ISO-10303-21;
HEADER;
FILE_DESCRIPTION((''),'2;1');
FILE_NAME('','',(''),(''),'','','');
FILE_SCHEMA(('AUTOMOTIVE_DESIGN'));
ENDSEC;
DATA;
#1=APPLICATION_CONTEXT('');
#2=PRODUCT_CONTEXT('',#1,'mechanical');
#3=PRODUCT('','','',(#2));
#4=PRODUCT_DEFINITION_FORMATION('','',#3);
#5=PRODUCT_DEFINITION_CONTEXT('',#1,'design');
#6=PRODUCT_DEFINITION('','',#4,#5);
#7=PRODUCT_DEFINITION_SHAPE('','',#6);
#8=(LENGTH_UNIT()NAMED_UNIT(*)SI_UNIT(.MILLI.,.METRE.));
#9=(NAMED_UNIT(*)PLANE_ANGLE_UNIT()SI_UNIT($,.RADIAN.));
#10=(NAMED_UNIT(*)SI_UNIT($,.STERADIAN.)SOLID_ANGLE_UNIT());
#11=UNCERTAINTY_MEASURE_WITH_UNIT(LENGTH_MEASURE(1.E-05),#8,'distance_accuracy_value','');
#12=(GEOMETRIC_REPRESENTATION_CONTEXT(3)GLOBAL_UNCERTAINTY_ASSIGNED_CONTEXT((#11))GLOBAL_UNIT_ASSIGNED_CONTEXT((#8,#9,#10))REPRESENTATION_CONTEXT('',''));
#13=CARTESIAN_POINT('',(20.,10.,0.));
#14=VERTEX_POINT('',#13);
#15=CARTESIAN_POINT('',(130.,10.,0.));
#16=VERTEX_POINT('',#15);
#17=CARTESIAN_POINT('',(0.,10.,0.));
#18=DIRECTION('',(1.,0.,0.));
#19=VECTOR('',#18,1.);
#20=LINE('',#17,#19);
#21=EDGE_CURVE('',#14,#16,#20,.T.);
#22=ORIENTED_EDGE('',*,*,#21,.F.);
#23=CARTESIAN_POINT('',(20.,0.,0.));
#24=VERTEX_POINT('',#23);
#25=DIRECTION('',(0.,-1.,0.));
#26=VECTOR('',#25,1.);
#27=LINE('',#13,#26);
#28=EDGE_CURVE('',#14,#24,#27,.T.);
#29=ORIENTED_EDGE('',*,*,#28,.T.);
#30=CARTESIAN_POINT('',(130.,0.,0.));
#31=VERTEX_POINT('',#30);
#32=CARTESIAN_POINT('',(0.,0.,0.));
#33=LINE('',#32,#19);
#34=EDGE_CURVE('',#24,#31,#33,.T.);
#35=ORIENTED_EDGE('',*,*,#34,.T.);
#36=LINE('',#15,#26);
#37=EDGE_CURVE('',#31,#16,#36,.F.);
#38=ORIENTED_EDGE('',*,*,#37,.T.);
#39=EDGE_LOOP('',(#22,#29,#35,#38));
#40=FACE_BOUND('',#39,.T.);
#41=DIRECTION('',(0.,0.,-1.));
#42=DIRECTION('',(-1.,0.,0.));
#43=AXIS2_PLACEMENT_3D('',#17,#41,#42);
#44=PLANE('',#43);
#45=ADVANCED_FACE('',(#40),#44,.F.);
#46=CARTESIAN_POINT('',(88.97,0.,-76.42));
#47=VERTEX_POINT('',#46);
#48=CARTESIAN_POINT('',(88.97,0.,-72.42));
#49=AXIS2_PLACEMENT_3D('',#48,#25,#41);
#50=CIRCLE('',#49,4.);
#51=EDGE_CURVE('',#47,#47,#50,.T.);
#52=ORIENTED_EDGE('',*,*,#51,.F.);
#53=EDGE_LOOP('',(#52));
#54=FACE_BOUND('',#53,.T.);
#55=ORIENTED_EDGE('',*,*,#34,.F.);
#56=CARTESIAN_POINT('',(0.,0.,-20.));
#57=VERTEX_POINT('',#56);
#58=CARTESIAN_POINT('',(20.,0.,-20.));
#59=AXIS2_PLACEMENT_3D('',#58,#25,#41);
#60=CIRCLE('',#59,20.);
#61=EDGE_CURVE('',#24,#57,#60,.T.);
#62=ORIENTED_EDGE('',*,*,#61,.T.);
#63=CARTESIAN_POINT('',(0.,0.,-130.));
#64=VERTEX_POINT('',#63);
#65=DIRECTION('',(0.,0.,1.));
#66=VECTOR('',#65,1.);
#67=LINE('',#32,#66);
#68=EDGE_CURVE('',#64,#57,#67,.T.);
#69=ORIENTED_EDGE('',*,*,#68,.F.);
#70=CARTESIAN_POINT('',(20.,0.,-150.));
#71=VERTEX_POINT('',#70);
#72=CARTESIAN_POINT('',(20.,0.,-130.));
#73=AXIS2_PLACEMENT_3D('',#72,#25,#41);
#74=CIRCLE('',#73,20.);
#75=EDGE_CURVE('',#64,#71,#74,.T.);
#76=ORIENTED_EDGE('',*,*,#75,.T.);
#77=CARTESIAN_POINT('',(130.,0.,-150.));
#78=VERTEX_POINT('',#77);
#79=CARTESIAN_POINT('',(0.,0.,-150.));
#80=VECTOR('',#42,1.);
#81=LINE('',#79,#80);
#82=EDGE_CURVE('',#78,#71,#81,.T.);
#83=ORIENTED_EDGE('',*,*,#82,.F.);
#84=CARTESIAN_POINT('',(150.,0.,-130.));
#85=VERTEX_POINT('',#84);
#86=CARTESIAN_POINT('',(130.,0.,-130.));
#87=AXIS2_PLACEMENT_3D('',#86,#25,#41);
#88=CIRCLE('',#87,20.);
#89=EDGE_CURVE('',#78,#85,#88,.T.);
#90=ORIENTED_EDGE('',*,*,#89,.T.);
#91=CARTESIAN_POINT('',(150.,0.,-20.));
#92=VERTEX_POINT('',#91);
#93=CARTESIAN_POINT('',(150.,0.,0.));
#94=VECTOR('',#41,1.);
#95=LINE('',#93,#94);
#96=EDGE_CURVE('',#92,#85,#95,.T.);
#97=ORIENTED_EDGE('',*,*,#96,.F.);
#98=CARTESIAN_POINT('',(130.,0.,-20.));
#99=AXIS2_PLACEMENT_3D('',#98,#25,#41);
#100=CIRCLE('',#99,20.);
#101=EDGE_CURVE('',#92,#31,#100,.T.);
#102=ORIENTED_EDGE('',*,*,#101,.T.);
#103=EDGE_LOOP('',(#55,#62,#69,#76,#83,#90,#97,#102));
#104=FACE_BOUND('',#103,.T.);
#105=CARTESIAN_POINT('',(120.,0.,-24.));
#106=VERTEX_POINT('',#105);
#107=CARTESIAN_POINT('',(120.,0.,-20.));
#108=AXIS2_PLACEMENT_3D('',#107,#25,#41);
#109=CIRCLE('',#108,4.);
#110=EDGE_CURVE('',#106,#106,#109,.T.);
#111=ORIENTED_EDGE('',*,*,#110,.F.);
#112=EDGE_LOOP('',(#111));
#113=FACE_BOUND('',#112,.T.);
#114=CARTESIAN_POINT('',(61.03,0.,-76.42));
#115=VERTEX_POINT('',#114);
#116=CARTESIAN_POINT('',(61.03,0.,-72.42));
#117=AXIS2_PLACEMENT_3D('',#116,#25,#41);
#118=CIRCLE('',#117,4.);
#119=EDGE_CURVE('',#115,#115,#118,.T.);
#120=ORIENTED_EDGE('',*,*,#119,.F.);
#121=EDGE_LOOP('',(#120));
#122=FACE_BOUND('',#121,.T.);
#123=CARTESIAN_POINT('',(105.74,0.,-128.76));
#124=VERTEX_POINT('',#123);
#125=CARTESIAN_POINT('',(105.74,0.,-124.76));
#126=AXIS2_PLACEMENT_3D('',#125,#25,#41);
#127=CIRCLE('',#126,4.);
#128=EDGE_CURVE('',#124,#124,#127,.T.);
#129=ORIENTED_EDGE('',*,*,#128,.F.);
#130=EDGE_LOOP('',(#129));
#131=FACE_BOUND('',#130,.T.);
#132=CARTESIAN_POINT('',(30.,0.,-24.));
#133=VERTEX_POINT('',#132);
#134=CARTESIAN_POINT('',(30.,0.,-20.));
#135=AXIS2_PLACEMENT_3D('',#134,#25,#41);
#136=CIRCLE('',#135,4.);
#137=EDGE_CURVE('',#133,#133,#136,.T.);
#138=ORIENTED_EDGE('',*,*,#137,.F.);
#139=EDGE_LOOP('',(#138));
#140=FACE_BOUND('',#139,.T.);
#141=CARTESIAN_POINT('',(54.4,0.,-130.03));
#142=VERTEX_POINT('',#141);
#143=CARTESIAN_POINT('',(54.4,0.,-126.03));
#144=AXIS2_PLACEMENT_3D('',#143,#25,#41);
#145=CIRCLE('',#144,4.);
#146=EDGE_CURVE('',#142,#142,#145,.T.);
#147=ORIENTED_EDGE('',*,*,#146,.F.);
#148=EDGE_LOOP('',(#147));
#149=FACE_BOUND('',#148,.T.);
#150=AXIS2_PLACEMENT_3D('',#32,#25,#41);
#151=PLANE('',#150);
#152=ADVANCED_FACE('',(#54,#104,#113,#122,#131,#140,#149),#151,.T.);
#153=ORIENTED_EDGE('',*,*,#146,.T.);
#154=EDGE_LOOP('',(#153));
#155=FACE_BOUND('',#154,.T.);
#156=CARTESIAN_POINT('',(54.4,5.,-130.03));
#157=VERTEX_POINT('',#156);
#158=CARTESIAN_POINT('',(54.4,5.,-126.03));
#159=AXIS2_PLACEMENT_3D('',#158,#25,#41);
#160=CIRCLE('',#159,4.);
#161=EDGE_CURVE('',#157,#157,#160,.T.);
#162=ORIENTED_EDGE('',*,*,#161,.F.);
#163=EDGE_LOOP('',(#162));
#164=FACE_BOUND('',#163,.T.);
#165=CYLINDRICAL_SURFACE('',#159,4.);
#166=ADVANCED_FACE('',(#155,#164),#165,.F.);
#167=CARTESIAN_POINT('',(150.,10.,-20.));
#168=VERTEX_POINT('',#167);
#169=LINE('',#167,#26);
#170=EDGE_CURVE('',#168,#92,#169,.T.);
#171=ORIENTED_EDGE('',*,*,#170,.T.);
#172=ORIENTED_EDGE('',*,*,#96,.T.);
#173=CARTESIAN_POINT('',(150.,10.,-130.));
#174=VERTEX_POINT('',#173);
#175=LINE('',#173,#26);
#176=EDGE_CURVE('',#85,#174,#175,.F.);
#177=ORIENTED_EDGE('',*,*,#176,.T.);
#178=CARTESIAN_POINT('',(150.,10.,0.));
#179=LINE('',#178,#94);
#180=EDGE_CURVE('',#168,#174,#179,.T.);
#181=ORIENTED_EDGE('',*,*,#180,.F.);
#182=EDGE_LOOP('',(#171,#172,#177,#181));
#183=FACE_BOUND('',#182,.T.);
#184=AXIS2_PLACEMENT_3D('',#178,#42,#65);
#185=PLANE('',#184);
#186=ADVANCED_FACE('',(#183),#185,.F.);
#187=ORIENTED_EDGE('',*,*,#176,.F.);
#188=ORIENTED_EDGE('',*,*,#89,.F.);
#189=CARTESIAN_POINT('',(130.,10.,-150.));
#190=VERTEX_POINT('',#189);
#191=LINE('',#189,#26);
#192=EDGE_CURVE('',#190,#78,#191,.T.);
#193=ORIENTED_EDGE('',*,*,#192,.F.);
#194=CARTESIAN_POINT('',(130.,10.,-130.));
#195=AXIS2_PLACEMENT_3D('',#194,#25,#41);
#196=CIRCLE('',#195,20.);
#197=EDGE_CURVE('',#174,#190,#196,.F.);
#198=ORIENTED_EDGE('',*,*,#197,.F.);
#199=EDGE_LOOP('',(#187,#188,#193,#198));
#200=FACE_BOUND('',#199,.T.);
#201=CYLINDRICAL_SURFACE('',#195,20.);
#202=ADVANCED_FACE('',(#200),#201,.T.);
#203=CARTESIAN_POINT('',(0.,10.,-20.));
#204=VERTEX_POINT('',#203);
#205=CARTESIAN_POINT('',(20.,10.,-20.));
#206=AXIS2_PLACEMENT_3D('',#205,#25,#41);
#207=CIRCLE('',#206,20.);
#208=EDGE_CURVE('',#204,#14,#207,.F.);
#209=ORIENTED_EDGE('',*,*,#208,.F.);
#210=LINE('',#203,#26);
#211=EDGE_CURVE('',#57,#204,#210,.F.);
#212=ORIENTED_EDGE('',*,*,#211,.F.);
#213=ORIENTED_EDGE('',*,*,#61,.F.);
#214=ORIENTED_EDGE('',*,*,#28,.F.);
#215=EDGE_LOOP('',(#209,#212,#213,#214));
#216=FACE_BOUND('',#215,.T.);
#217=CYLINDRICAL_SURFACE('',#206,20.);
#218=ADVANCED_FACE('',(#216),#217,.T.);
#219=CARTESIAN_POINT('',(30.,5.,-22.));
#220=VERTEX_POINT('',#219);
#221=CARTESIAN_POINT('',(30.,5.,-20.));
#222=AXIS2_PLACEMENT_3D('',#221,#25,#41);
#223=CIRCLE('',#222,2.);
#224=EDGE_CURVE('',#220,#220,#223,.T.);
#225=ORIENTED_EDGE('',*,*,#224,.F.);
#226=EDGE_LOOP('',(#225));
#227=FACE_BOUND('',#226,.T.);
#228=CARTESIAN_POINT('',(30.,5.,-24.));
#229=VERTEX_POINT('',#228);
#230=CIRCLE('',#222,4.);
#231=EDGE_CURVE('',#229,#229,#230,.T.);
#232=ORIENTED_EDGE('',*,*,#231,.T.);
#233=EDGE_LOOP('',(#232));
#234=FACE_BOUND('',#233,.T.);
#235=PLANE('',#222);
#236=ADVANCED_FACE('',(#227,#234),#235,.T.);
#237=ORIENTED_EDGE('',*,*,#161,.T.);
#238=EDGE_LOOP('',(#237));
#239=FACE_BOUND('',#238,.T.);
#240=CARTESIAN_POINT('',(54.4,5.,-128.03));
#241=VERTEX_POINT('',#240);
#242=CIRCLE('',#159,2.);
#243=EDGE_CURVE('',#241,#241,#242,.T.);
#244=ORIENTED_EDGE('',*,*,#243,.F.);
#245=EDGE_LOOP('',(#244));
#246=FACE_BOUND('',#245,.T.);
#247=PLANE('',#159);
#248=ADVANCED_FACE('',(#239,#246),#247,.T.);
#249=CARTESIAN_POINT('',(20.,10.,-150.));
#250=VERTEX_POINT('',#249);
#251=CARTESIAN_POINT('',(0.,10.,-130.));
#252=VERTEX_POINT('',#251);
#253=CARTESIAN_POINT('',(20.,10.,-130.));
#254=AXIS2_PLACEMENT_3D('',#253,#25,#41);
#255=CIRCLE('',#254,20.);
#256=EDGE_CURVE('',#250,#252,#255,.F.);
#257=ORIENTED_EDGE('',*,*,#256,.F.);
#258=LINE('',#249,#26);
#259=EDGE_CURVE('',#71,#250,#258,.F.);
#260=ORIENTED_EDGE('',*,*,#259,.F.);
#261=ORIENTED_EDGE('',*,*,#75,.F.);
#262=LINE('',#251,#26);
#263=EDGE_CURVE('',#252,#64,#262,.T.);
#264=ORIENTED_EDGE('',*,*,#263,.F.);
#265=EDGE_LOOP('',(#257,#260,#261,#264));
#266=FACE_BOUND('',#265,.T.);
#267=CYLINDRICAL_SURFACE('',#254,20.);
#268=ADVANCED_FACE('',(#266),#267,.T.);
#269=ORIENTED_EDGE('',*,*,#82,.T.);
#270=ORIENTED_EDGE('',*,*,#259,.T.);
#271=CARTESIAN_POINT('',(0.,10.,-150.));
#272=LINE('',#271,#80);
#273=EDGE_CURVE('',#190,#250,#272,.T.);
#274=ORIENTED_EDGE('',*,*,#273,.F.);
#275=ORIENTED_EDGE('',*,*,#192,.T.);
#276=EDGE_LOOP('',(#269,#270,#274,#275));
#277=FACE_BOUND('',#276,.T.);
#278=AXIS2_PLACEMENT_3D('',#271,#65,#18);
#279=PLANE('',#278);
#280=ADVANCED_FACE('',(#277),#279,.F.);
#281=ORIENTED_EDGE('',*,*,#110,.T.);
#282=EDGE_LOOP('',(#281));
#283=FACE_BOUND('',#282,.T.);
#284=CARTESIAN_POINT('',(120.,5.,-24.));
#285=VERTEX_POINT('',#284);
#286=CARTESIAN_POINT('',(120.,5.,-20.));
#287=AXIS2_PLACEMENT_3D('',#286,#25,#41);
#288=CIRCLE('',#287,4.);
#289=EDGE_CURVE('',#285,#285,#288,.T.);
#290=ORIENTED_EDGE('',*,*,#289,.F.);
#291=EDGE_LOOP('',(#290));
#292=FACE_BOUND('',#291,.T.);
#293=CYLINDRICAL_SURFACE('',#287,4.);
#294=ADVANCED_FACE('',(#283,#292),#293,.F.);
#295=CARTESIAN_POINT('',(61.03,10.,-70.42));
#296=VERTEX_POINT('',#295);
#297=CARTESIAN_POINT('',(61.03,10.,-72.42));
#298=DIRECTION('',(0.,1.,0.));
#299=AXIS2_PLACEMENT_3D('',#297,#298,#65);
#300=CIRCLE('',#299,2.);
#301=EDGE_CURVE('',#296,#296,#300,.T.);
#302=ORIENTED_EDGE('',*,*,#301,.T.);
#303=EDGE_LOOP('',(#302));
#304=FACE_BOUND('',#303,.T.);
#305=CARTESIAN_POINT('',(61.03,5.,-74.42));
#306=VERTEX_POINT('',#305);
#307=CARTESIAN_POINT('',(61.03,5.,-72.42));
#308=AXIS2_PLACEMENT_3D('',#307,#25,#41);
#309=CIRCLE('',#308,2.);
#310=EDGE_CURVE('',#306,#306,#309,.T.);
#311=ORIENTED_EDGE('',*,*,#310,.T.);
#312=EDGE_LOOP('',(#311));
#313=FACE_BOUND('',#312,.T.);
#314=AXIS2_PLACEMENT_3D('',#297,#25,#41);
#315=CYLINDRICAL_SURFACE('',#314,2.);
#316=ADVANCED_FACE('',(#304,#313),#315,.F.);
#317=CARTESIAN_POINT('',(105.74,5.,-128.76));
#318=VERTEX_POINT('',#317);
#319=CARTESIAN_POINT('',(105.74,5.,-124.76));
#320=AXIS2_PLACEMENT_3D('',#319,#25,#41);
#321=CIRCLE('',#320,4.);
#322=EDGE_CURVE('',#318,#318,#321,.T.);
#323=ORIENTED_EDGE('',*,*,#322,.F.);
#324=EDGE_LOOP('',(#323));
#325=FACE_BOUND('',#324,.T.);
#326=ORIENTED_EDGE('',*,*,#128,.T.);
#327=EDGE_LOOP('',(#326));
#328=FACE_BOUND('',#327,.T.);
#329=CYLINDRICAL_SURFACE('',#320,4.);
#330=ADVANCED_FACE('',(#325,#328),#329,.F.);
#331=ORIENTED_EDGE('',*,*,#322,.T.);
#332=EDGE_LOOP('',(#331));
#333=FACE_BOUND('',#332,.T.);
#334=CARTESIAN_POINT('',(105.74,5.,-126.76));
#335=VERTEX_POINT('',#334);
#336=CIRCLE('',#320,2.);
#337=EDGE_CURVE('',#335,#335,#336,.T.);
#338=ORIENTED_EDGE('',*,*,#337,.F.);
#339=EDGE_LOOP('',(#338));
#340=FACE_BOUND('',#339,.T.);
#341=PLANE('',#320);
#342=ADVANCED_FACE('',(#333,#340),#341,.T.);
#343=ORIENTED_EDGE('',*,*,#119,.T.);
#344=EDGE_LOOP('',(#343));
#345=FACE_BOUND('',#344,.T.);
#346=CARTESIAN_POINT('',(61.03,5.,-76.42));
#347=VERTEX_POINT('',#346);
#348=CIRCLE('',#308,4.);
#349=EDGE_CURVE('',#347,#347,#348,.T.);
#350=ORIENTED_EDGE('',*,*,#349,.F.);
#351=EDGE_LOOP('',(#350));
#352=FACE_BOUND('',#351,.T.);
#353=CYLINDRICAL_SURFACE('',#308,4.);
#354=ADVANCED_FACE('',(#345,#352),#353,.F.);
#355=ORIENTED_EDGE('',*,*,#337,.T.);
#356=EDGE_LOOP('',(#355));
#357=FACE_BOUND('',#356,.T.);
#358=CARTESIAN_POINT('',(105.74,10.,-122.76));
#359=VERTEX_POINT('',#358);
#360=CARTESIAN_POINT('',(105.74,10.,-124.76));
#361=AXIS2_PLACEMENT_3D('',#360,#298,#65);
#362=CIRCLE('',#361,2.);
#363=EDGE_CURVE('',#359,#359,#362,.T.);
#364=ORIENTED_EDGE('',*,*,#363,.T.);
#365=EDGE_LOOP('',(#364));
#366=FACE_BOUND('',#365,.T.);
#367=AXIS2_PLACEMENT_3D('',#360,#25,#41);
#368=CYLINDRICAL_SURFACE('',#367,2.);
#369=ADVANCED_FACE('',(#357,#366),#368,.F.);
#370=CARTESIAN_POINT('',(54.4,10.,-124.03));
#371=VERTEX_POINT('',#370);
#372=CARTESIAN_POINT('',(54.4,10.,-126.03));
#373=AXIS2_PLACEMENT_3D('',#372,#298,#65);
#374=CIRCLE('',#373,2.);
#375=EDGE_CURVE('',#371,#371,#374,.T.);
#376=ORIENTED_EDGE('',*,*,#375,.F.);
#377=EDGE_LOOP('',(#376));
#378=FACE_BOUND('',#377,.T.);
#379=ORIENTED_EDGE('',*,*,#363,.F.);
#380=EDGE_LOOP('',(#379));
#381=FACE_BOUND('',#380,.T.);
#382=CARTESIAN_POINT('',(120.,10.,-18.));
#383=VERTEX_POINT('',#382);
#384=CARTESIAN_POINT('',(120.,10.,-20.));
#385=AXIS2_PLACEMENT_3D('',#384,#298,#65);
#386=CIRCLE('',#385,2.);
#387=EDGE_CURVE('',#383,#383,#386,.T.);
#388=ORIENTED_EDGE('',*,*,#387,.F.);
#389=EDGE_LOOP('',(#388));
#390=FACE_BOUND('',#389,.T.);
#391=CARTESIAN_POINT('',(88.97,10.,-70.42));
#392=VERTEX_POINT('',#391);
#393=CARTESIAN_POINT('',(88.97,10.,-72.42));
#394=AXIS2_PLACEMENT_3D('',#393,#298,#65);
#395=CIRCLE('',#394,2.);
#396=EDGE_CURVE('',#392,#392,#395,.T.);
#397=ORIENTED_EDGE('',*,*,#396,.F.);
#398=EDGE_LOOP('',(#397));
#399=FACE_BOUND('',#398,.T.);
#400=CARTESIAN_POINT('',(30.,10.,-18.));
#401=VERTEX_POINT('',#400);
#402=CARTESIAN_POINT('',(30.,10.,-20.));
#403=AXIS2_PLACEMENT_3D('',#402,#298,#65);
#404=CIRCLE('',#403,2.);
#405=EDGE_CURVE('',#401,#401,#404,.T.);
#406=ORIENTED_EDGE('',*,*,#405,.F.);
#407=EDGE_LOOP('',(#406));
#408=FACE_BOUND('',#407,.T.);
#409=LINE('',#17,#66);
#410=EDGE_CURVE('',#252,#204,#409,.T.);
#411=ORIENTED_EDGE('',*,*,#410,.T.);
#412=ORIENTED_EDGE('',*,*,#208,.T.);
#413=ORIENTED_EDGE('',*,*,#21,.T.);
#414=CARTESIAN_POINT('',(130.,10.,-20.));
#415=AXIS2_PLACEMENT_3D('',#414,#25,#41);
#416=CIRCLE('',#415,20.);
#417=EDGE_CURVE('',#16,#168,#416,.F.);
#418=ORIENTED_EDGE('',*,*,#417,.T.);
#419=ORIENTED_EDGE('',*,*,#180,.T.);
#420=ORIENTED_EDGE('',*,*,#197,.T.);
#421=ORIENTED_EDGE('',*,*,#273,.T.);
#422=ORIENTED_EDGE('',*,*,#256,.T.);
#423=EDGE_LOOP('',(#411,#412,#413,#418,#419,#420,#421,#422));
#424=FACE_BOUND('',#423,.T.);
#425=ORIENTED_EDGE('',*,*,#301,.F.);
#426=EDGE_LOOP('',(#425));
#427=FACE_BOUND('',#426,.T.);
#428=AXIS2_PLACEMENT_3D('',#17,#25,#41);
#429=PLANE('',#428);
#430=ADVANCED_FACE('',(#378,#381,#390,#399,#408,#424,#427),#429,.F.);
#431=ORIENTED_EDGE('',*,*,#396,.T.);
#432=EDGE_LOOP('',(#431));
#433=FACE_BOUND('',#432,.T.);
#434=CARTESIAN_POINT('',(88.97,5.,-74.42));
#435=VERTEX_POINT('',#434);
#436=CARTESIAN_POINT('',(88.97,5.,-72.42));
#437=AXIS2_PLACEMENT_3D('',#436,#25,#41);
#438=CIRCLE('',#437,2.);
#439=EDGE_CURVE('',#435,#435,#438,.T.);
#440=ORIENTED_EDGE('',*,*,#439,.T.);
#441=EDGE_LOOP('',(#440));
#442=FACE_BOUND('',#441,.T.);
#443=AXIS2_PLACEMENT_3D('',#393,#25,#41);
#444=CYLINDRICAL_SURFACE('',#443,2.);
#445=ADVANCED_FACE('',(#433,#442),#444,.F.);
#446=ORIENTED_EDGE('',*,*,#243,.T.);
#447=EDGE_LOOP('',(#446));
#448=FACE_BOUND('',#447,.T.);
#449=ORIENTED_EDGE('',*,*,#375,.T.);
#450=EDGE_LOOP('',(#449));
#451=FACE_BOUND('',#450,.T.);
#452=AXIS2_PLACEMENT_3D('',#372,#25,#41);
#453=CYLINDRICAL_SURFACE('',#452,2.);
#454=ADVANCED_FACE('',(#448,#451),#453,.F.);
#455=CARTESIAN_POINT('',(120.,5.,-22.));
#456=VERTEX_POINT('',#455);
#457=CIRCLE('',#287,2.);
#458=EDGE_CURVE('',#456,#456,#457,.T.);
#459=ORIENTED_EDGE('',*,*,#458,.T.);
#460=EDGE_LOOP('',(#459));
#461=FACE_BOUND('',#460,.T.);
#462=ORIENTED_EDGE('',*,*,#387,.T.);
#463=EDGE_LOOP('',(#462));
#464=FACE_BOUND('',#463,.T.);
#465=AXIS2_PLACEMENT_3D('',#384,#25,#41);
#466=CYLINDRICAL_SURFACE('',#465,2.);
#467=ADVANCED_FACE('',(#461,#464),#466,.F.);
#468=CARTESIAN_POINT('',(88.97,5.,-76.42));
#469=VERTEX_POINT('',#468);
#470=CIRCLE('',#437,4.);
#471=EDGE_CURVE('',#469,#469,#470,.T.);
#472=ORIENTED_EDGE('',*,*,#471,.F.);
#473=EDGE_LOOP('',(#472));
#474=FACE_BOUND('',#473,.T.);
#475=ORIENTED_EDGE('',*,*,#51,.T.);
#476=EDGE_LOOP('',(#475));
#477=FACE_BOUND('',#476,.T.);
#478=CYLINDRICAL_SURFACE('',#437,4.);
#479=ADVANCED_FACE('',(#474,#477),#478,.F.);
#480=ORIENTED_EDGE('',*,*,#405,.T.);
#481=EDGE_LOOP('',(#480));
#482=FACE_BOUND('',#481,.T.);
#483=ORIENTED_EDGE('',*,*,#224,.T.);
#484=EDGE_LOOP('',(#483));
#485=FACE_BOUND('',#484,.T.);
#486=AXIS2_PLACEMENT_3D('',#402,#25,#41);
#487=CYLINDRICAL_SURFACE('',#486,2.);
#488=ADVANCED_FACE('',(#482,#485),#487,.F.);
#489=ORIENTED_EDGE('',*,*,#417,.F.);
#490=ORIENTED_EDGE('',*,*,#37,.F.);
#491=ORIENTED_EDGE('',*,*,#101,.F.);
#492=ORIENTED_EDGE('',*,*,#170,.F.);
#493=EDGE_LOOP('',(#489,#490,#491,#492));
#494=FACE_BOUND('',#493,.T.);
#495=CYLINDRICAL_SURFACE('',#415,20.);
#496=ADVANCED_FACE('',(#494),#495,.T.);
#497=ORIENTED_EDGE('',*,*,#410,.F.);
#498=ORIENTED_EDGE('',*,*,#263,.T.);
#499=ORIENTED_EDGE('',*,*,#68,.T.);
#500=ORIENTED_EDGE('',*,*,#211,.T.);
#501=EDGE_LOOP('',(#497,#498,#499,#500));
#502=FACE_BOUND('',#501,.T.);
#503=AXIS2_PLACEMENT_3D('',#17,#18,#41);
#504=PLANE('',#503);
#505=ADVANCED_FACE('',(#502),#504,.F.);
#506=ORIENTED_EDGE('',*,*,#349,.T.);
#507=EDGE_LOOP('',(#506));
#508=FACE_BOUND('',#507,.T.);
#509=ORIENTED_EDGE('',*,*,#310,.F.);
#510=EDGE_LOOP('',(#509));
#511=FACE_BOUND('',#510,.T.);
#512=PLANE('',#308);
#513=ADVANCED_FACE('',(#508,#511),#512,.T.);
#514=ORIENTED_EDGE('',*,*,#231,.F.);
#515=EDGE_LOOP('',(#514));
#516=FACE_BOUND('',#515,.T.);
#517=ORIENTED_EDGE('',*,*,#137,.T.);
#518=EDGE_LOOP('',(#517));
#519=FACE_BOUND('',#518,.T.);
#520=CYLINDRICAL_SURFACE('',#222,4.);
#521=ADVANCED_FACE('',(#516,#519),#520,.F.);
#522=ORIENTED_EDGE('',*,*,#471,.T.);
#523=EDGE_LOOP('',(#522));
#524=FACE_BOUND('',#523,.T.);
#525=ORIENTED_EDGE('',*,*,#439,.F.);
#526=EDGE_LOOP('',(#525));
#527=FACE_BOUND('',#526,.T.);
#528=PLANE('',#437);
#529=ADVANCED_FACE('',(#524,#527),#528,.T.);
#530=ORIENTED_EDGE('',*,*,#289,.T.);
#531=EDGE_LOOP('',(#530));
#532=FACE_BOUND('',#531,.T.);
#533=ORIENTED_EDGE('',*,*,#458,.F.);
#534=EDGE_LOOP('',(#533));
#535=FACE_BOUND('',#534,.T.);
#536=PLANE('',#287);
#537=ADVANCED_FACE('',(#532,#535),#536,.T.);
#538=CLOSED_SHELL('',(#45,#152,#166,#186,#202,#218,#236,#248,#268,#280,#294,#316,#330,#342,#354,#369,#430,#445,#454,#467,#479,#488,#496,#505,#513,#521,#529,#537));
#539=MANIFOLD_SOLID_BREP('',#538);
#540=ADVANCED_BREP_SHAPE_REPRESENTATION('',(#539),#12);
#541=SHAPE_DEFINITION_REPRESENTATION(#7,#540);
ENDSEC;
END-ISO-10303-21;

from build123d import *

# Parameters (mm, degrees)
SKETCH1_W           = 150
SKETCH1_H           = 150
SKETCH1_R           = 2
BOSS_EXTRUDE1_DEPTH = 10
SKETCH2_R           = 4
CUT_EXTRUDE1_DEPTH  = 5
FILLET1_R           = 20


with BuildPart() as part:
    # Sketch1 → Boss-Extrude1 (new body)
    with BuildSketch(Plane(origin=(0, 0, 0), x_dir=(1, 0, 0), z_dir=(0, 1, 0))):
        with Locations((75, 75)):
            Rectangle(SKETCH1_W, SKETCH1_H)
        with Locations(Location((30, 20, 0), (0, 0, 270))):
            Circle(SKETCH1_R, mode=Mode.SUBTRACT)
        with Locations(Location((120, 20, 0), (0, 0, 270))):
            Circle(SKETCH1_R, mode=Mode.SUBTRACT)
        with Locations(Location((61.03, 72.42, 0), (0, 0, 270))):
            Circle(SKETCH1_R, mode=Mode.SUBTRACT)
        with Locations(Location((88.97, 72.42, 0), (0, 0, 270))):
            Circle(SKETCH1_R, mode=Mode.SUBTRACT)
        with Locations(Location((105.74, 124.76, 0), (0, 0, 270))):
            Circle(SKETCH1_R, mode=Mode.SUBTRACT)
        with Locations(Location((54.4, 126.03, 0), (0, 0, 270))):
            Circle(SKETCH1_R, mode=Mode.SUBTRACT)
    extrude(amount=BOSS_EXTRUDE1_DEPTH)

    # Sketch2 → Cut-Extrude1 (cut)
    with BuildSketch(Plane.XZ):
        with Locations(Location((30, -20, 0), (0, 0, 270))):
            Circle(SKETCH2_R)
        with Locations(Location((120, -20, 0), (0, 0, 270))):
            Circle(SKETCH2_R)
        with Locations(Location((88.97, -72.42, 0), (0, 0, 270))):
            Circle(SKETCH2_R)
        with Locations(Location((61.03, -72.42, 0), (0, 0, 270))):
            Circle(SKETCH2_R)
        with Locations(Location((54.4, -126.03, 0), (0, 0, 270))):
            Circle(SKETCH2_R)
        with Locations(Location((105.74, -124.76, 0), (0, 0, 270))):
            Circle(SKETCH2_R)
    extrude(amount=-CUT_EXTRUDE1_DEPTH, mode=Mode.SUBTRACT)

    # Fillet1
    fillet1_edges = [part.edges().sort_by_distance(p)[0] for p in [
        (0, 5, -150),
        (150, 5, -150),
        (150, 5, 0),
        (0, 5, 0),
    ]]
    fillet(fillet1_edges, radius=FILLET1_R)


solid = part.part
